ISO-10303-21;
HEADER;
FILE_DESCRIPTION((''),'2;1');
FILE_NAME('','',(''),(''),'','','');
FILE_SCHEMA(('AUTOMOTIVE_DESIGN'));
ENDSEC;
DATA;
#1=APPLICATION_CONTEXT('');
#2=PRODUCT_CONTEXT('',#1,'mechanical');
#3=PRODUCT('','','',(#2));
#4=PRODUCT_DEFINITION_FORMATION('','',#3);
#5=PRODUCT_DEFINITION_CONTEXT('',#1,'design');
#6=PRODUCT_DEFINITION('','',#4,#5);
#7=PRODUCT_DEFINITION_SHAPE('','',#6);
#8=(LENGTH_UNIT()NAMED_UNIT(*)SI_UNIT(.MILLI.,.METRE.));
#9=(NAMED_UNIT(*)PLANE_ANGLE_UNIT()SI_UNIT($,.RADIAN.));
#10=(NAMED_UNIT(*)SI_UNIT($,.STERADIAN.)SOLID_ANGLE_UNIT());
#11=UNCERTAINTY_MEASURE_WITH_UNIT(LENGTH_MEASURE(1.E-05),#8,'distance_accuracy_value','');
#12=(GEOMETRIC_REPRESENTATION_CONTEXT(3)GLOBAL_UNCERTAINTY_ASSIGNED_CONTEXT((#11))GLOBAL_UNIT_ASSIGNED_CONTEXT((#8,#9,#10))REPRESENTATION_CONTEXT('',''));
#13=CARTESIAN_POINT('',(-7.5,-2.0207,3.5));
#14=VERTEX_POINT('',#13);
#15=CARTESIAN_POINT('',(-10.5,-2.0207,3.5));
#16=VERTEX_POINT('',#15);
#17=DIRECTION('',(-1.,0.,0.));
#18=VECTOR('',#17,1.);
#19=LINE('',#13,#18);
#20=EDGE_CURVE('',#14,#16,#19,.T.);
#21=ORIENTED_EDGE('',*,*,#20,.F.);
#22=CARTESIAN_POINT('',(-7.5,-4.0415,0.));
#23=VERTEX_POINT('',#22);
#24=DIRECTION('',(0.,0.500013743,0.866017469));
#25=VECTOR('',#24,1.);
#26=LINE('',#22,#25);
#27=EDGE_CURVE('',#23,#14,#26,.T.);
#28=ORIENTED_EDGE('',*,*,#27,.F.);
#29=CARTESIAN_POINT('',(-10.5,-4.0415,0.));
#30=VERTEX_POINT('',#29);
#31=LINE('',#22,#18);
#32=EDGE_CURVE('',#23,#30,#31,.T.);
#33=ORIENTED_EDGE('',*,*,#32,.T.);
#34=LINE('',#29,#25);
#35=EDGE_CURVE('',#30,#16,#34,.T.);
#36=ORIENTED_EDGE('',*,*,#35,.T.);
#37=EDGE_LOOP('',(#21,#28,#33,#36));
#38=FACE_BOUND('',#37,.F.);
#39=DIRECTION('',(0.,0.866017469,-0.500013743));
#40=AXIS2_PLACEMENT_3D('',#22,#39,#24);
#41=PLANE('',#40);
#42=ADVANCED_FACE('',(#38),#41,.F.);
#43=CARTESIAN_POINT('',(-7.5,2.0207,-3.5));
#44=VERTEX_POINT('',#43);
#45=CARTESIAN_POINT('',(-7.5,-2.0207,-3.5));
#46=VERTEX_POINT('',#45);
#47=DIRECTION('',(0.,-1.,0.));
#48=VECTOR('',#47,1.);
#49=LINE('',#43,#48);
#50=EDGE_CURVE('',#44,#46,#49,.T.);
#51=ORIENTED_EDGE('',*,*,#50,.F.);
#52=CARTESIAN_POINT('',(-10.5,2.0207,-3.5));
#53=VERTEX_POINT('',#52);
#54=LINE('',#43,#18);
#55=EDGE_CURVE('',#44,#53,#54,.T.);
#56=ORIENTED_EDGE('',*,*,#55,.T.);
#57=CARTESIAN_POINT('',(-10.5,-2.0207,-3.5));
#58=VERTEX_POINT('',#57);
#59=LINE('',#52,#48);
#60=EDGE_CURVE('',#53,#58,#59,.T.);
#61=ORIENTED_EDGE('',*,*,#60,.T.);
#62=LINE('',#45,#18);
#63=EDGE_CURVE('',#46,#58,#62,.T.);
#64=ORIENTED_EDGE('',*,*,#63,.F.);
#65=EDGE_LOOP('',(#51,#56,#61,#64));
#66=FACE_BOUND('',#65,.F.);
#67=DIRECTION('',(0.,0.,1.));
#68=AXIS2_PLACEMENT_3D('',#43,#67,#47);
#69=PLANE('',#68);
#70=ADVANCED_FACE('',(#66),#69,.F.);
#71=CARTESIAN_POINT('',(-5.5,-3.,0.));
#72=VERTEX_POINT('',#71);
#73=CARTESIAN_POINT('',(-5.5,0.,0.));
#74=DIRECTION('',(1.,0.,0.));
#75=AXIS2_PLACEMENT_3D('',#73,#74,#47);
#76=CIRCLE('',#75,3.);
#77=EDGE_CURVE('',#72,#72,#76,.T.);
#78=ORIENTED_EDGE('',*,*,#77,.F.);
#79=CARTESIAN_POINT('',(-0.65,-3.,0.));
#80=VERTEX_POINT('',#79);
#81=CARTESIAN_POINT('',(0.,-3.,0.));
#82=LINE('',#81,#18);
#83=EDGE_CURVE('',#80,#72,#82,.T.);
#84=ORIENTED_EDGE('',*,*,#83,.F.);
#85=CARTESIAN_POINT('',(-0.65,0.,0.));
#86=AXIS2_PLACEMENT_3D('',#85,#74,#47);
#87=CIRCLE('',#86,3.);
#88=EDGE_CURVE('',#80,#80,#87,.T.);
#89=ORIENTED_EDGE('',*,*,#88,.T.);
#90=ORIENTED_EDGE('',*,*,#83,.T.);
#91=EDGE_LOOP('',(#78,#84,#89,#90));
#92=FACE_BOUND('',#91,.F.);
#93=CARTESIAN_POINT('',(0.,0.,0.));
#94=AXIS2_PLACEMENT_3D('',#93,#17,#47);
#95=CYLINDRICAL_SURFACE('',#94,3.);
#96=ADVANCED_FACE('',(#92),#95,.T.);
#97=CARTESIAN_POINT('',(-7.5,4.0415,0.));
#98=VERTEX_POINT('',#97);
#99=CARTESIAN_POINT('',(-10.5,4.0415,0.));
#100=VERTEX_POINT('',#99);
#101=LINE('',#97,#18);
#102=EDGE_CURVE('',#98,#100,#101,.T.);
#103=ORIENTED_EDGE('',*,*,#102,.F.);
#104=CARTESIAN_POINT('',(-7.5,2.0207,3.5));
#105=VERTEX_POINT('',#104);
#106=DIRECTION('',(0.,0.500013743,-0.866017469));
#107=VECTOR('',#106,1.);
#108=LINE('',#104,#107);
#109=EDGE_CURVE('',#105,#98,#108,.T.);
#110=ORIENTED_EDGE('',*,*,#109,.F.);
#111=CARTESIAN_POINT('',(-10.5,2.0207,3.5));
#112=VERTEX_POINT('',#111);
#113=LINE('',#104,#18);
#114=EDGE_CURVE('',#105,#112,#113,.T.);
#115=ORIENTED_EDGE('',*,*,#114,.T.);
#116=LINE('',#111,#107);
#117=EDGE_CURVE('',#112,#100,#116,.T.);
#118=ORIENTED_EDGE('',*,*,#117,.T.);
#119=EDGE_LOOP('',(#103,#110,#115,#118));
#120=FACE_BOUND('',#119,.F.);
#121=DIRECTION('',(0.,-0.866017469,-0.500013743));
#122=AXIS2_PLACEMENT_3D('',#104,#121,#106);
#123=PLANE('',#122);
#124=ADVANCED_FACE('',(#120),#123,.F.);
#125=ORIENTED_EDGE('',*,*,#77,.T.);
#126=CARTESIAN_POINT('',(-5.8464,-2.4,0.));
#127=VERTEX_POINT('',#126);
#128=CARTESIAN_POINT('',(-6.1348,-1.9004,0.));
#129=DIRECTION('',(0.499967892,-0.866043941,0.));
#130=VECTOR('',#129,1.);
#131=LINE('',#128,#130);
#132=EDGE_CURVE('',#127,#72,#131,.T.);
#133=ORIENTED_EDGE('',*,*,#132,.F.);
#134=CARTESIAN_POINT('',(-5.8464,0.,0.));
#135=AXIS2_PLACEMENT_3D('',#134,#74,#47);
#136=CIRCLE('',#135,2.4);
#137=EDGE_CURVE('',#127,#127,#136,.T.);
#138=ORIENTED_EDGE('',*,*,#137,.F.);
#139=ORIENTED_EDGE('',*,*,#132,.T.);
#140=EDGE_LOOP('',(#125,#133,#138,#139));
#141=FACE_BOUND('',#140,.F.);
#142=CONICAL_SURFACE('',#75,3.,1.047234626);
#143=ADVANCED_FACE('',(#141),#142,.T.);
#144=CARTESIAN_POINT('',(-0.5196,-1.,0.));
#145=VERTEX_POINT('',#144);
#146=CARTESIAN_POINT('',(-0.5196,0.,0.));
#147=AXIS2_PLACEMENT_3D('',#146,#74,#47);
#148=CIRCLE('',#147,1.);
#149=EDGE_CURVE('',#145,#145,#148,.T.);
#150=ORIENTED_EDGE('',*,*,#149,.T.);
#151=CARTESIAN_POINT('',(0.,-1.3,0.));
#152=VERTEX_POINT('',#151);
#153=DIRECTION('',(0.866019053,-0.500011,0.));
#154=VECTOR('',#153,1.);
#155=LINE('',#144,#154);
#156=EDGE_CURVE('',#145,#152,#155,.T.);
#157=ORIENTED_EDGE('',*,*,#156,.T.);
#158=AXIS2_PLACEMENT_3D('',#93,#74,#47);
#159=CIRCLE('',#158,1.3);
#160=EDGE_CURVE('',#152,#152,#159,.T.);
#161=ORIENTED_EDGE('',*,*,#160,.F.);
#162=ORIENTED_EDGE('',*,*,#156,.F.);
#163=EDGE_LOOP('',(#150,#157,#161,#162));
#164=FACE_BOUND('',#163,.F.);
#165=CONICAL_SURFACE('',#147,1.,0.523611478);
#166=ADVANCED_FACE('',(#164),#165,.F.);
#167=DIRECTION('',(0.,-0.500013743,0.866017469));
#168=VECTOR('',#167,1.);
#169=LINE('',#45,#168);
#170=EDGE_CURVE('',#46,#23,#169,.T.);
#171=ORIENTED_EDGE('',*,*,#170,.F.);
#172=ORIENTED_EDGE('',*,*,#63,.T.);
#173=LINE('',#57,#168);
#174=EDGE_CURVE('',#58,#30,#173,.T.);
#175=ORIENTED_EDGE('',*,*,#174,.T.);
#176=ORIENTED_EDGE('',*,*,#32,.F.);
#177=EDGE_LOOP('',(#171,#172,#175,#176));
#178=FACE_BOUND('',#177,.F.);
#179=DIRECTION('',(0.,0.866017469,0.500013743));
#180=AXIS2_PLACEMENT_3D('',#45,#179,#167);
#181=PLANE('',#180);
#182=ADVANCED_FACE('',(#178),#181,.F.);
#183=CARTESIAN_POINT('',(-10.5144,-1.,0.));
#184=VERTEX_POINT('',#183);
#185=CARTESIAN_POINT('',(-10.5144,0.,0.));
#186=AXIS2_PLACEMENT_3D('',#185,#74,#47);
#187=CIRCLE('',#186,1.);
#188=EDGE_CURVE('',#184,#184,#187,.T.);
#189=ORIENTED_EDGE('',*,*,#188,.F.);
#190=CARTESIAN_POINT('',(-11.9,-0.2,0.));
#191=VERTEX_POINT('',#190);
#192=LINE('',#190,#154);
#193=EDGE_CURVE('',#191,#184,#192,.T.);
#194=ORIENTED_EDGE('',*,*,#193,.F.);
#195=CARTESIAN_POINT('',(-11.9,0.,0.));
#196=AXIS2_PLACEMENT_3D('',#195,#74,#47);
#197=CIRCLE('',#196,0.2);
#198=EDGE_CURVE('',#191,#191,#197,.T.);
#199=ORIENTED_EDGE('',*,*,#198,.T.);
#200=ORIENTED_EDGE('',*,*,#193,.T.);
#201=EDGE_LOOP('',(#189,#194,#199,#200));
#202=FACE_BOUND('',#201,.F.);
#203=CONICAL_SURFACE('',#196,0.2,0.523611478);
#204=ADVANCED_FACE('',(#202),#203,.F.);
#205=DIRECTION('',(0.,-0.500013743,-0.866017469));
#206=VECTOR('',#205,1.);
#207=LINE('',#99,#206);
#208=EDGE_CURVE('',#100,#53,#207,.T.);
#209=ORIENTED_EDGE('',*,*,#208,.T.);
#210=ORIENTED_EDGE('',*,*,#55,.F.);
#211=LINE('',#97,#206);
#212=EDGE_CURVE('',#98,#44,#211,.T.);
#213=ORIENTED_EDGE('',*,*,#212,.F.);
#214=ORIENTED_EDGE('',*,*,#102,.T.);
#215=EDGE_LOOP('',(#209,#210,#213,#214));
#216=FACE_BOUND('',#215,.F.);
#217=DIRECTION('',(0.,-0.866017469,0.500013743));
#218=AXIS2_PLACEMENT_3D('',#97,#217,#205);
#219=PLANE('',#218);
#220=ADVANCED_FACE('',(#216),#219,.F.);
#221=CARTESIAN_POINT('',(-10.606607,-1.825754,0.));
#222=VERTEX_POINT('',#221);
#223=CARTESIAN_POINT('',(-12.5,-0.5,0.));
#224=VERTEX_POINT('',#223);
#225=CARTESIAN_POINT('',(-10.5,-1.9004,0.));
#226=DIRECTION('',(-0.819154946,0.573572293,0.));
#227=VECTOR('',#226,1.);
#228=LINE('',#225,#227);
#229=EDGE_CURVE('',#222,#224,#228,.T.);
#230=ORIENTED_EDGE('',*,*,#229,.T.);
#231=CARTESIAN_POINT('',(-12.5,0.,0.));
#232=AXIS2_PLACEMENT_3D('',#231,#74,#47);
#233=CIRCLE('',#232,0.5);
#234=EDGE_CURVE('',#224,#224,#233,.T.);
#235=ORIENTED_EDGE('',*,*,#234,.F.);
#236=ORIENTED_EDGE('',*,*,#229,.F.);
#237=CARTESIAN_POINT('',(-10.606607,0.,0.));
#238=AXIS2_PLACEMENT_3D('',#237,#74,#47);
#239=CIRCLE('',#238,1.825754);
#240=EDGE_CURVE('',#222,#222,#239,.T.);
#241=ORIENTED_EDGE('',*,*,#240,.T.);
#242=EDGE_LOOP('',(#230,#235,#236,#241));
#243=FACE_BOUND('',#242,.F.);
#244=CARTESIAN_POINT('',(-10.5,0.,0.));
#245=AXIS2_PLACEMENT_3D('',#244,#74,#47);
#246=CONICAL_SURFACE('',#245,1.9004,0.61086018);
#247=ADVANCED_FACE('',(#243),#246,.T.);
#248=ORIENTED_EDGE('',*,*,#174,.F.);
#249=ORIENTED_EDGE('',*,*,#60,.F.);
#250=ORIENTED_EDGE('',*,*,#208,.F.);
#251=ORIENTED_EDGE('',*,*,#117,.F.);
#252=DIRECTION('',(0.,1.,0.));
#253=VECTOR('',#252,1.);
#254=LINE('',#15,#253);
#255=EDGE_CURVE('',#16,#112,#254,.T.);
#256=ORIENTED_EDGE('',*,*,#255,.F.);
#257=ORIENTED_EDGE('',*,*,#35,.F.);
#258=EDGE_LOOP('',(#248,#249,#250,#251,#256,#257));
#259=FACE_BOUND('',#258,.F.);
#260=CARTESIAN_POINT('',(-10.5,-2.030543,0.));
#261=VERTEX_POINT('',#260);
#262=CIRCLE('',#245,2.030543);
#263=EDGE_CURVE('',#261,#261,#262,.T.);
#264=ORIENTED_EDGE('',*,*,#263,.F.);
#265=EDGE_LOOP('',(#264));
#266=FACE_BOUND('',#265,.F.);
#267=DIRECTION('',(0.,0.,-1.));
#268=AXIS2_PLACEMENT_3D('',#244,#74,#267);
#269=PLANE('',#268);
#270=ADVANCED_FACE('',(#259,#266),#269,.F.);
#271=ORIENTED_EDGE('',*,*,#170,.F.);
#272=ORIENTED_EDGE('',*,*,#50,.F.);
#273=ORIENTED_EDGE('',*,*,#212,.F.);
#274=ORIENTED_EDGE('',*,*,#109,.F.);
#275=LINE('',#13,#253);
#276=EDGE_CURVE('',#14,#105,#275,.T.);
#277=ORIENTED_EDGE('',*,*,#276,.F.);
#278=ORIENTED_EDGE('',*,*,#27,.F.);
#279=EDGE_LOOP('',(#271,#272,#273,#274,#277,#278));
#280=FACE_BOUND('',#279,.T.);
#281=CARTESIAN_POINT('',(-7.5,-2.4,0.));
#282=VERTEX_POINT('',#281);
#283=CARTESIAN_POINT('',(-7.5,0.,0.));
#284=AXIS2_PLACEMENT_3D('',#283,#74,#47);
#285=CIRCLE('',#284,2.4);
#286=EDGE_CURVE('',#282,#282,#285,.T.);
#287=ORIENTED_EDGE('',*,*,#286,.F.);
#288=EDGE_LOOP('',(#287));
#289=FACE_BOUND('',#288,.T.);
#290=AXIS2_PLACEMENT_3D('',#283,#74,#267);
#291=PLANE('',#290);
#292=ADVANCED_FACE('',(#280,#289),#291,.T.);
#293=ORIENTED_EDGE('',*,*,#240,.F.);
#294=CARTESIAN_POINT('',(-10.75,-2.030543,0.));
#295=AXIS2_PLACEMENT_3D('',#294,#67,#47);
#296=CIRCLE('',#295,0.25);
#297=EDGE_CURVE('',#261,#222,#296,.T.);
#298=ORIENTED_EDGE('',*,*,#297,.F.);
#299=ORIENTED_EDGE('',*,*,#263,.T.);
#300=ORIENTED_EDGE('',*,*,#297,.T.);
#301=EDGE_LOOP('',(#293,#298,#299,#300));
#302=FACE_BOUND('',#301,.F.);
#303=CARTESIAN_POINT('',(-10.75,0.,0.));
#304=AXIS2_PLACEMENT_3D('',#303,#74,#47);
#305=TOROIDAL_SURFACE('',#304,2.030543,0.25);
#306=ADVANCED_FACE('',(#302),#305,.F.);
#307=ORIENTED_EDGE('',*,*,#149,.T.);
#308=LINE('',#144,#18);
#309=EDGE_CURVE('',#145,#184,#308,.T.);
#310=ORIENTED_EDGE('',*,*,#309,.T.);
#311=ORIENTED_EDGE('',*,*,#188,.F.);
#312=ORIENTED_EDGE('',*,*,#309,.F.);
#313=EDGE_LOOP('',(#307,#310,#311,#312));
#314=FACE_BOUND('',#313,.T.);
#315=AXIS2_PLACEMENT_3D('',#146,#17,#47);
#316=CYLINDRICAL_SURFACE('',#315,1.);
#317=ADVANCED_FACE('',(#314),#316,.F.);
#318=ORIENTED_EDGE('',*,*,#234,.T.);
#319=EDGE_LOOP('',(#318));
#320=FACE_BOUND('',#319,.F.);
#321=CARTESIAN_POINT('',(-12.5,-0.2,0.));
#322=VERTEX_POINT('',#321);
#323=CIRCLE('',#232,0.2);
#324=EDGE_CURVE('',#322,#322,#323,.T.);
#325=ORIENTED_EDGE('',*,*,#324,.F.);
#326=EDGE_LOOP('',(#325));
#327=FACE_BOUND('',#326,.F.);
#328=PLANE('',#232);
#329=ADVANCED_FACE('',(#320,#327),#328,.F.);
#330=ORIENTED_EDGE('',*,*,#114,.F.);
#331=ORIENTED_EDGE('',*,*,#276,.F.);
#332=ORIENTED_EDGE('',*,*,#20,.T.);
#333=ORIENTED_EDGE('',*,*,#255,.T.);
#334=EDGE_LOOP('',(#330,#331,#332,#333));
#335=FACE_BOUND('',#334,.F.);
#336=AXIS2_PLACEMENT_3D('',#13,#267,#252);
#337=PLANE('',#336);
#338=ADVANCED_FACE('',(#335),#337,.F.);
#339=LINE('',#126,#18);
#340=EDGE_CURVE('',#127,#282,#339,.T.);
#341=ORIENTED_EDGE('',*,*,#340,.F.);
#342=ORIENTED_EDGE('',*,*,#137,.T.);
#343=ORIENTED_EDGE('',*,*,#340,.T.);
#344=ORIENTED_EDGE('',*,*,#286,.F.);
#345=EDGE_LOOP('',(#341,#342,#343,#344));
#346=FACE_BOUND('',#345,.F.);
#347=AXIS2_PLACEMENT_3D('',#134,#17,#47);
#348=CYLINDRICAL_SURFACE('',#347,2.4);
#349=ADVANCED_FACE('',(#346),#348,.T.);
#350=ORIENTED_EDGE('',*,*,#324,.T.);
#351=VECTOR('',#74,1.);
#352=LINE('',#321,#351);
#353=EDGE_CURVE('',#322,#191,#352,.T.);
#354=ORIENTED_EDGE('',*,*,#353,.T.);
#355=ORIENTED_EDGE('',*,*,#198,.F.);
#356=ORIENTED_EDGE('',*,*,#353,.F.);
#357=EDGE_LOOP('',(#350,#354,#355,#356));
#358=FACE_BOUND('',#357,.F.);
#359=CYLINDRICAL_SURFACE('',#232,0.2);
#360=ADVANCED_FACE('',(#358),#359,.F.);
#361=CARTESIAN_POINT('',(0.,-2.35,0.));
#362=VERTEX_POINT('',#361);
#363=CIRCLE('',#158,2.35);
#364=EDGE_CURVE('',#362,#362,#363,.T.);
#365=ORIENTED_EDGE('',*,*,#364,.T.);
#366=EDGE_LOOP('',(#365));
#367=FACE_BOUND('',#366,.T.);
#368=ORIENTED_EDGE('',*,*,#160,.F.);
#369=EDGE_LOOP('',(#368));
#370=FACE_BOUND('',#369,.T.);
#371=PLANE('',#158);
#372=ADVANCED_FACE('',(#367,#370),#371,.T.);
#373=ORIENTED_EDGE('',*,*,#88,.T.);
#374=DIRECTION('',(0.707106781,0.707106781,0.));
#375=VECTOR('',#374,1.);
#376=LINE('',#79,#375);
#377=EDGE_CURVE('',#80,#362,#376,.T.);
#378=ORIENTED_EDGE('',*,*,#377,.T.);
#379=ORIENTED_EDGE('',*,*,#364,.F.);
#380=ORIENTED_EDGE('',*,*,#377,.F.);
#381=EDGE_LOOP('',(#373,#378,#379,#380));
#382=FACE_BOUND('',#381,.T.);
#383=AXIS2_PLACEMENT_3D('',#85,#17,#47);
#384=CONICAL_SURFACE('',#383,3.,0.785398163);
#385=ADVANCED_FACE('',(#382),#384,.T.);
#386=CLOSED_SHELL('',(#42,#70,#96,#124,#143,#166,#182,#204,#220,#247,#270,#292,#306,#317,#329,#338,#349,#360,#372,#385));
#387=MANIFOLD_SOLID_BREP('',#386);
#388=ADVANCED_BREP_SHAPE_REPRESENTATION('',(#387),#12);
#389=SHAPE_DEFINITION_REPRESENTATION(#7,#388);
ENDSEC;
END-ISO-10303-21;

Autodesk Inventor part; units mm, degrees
ref_plane "YZ Plane" through (0, 0, 0) normal (1, 0, 0) x (0, 1, 0)
ref_plane "XZ Plane" through (0, 0, 0) normal (0, 1, 0) x (-1, 0, 0)
sketch "Náčrt1" plane through (0, 0, 0) normal (0, 0, 1) x (1, 0, 0)
  line L0 (0, -3.6) -> (0, 0.6) projected
  line L1 (-15, 0) -> (2.5, 0) projected
  line L2 (-0.5196, -1) -> (-10.5144, -1)
  line L3 (0, -1.3) -> (0, -3)
  line L4 (0, -3) -> (-5.5, -3)
  line L5 (-5.5, -3) -> (-6.1348, -1.9004)
  line L6 (-6.1348, -1.9004) -> (-10.5, -1.9004)
  line L7 (-10.5, -1.9004) -> (-12.5, -0.5)
  line L8 (-12.5, -0.5) -> (-12.5, -0.2)
  line L9 (-12.5, -0.2) -> (-11.9, -0.2)
  line L10 (-11.9, -0.2) -> (-10.5144, -1)
  line L11 (-0.5196, -1) -> (0, -1.3)
  line L12 (-5.8464, -2.4) -> (-7.5, -2.4)
  line L13 (-7.5, -2.4) -> (-7.5, -1.9004)
  point P0 (0, 0)
  dimension "d0" = 6
  dimension "d1" = 0.4
  dimension "d3" = 1
  dimension "d4" = 12.5
  dimension "d5" = 10.5
  dimension "d6" = 2
  dimension "d7" = 30
  dimension "d9" = 5.5
  dimension "d10" = 120
  dimension "d36" = 0.6
  dimension "d37" = 35
  dimension "d38" = 2.6
  dimension "d39" = 30
  dimension "d40" = 4.8
  dimension "d41" = 5
revolve "Rotace1" add sketch "Náčrt1" angle 360 about axis through (-10, 0, 0) along (1, 0, 0) contours L4 L5 L6 L7 L8 L9 L10 L2 L11 L0
ref_plane "Pracovní rovina1" through (-7.5, 0, 0) normal (1, 0, 0) x (0, 0, -1)
sketch "Náčrt2" plane through (-7.5, 0, 0) normal (1, 0, 0) x (0, 0, -1)
  line L0 (0, 4.0415) -> (3.5, 2.0207)
  line L1 (3.5, 2.0207) -> (3.5, -2.0207)
  line L2 (3.5, -2.0207) -> (0, -4.0415)
  line L3 (0, -4.0415) -> (-3.5, -2.0207)
  line L4 (-3.5, -2.0207) -> (-3.5, 2.0207)
  line L5 (-3.5, 2.0207) -> (0, 4.0415)
  circle A0 centre (0, 0) radius 1.9004 projected
  circle A1 centre (0, 0) radius 1.9004 projected
  dimension "d13" = 7
extrude "Vysunutí1" add sketch "Náčrt2" against normal blind 3
chamfer "Zkosení1" distance 0.65 angle 45 1 edges at (0, 3, 0)
thread "Závit1" size "M6x1" class "6g" standard "ANSI Metric M Profile" full length
fillet "Zaoblení1" radius 0.25 1 edges at (-10.5, 1.9004, 0)
sketch "Náčrt3" plane through (0, 0, 0) normal (0, 1, 0) x (-1, 0, 0)
  line L0 (7.5, 1.9004) -> (7.5, -1.9004) projected
  line L1 (7.5, 0) -> (7.5, -3.5) projected
  line L2 (7.5, 3.5) -> (7.5, 0) projected
  line L3 (7.5, 0) -> (7.5, 3.5) projected
  line L4 (7.5, -3.5) -> (7.5, 0) projected
  line L5 (10.5, 0) -> (10.5, -3.5) projected
  line L6 (10.5, -3.5) -> (10.5, 0) projected
  line L7 (10.5, 0) -> (10.5, 3.5) projected
  line L8 (10.5, 3.5) -> (10.5, 0) projected
  line L9 (10.5, -2.0306) -> (10.5, 2.0306) projected
  line L10 (7.5, 3.5) -> (10.5, 3.5) projected
  line L11 (7.5, 3.5) -> (10.5, 3.5) projected
  line L12 (12.6, 0) -> (-2.1, 0) projected
  line L13 (7.5, 3.625) -> (7.5, 4.5)
  line L14 (7.5, 4.5) -> (8.0052, 4.5)
  line L15 (8.0052, 4.5) -> (7.5, 3.625)
  line L16 (9, 3.5) -> (9, 2.759)
  line L17 (10.5, 3.625) -> (10.5, 4.5)
  line L18 (10.5, 4.5) -> (9.9948, 4.5)
  line L19 (9.9948, 4.5) -> (10.5, 3.625)
  point P0 (0, 0)
  dimension "d22" = 30
  dimension "d23" = 7.25
  dimension "d24" = 9
revolve "Rotace2" [suppressed]
sketch "Náčrt4" plane through (0, 0, 0) normal (0, 1, 0) x (-1, 0, 0)
  line L0 (7.5, 3.5) -> (10.5, 3.5) projected
  line L1 (9, 3.5) -> (9, 2.8)
  line L2 (9, 2.8) -> (8.8264, 2.8)
  line L3 (8.8264, 2.8) -> (8.5, 3.5)
  line L4 (9, 3.5) -> (8.5, 3.5)
  point P0 (0, 0)
  point P1 (7.7404, 3.5)
  point P2 (10.2596, 3.5)
  dimension "d26" = 25
  dimension "d27" = 1
  dimension "d28" = 0.7
revolve "Rotace3" [suppressed]
pattern_circular "Kruhové pole1" [suppressed]
revolve "Rotace4" add sketch "Náčrt1" angle 360 about axis through (-10, 0, 0) along (1, 0, 0) contours L12 L13 L6 L5
